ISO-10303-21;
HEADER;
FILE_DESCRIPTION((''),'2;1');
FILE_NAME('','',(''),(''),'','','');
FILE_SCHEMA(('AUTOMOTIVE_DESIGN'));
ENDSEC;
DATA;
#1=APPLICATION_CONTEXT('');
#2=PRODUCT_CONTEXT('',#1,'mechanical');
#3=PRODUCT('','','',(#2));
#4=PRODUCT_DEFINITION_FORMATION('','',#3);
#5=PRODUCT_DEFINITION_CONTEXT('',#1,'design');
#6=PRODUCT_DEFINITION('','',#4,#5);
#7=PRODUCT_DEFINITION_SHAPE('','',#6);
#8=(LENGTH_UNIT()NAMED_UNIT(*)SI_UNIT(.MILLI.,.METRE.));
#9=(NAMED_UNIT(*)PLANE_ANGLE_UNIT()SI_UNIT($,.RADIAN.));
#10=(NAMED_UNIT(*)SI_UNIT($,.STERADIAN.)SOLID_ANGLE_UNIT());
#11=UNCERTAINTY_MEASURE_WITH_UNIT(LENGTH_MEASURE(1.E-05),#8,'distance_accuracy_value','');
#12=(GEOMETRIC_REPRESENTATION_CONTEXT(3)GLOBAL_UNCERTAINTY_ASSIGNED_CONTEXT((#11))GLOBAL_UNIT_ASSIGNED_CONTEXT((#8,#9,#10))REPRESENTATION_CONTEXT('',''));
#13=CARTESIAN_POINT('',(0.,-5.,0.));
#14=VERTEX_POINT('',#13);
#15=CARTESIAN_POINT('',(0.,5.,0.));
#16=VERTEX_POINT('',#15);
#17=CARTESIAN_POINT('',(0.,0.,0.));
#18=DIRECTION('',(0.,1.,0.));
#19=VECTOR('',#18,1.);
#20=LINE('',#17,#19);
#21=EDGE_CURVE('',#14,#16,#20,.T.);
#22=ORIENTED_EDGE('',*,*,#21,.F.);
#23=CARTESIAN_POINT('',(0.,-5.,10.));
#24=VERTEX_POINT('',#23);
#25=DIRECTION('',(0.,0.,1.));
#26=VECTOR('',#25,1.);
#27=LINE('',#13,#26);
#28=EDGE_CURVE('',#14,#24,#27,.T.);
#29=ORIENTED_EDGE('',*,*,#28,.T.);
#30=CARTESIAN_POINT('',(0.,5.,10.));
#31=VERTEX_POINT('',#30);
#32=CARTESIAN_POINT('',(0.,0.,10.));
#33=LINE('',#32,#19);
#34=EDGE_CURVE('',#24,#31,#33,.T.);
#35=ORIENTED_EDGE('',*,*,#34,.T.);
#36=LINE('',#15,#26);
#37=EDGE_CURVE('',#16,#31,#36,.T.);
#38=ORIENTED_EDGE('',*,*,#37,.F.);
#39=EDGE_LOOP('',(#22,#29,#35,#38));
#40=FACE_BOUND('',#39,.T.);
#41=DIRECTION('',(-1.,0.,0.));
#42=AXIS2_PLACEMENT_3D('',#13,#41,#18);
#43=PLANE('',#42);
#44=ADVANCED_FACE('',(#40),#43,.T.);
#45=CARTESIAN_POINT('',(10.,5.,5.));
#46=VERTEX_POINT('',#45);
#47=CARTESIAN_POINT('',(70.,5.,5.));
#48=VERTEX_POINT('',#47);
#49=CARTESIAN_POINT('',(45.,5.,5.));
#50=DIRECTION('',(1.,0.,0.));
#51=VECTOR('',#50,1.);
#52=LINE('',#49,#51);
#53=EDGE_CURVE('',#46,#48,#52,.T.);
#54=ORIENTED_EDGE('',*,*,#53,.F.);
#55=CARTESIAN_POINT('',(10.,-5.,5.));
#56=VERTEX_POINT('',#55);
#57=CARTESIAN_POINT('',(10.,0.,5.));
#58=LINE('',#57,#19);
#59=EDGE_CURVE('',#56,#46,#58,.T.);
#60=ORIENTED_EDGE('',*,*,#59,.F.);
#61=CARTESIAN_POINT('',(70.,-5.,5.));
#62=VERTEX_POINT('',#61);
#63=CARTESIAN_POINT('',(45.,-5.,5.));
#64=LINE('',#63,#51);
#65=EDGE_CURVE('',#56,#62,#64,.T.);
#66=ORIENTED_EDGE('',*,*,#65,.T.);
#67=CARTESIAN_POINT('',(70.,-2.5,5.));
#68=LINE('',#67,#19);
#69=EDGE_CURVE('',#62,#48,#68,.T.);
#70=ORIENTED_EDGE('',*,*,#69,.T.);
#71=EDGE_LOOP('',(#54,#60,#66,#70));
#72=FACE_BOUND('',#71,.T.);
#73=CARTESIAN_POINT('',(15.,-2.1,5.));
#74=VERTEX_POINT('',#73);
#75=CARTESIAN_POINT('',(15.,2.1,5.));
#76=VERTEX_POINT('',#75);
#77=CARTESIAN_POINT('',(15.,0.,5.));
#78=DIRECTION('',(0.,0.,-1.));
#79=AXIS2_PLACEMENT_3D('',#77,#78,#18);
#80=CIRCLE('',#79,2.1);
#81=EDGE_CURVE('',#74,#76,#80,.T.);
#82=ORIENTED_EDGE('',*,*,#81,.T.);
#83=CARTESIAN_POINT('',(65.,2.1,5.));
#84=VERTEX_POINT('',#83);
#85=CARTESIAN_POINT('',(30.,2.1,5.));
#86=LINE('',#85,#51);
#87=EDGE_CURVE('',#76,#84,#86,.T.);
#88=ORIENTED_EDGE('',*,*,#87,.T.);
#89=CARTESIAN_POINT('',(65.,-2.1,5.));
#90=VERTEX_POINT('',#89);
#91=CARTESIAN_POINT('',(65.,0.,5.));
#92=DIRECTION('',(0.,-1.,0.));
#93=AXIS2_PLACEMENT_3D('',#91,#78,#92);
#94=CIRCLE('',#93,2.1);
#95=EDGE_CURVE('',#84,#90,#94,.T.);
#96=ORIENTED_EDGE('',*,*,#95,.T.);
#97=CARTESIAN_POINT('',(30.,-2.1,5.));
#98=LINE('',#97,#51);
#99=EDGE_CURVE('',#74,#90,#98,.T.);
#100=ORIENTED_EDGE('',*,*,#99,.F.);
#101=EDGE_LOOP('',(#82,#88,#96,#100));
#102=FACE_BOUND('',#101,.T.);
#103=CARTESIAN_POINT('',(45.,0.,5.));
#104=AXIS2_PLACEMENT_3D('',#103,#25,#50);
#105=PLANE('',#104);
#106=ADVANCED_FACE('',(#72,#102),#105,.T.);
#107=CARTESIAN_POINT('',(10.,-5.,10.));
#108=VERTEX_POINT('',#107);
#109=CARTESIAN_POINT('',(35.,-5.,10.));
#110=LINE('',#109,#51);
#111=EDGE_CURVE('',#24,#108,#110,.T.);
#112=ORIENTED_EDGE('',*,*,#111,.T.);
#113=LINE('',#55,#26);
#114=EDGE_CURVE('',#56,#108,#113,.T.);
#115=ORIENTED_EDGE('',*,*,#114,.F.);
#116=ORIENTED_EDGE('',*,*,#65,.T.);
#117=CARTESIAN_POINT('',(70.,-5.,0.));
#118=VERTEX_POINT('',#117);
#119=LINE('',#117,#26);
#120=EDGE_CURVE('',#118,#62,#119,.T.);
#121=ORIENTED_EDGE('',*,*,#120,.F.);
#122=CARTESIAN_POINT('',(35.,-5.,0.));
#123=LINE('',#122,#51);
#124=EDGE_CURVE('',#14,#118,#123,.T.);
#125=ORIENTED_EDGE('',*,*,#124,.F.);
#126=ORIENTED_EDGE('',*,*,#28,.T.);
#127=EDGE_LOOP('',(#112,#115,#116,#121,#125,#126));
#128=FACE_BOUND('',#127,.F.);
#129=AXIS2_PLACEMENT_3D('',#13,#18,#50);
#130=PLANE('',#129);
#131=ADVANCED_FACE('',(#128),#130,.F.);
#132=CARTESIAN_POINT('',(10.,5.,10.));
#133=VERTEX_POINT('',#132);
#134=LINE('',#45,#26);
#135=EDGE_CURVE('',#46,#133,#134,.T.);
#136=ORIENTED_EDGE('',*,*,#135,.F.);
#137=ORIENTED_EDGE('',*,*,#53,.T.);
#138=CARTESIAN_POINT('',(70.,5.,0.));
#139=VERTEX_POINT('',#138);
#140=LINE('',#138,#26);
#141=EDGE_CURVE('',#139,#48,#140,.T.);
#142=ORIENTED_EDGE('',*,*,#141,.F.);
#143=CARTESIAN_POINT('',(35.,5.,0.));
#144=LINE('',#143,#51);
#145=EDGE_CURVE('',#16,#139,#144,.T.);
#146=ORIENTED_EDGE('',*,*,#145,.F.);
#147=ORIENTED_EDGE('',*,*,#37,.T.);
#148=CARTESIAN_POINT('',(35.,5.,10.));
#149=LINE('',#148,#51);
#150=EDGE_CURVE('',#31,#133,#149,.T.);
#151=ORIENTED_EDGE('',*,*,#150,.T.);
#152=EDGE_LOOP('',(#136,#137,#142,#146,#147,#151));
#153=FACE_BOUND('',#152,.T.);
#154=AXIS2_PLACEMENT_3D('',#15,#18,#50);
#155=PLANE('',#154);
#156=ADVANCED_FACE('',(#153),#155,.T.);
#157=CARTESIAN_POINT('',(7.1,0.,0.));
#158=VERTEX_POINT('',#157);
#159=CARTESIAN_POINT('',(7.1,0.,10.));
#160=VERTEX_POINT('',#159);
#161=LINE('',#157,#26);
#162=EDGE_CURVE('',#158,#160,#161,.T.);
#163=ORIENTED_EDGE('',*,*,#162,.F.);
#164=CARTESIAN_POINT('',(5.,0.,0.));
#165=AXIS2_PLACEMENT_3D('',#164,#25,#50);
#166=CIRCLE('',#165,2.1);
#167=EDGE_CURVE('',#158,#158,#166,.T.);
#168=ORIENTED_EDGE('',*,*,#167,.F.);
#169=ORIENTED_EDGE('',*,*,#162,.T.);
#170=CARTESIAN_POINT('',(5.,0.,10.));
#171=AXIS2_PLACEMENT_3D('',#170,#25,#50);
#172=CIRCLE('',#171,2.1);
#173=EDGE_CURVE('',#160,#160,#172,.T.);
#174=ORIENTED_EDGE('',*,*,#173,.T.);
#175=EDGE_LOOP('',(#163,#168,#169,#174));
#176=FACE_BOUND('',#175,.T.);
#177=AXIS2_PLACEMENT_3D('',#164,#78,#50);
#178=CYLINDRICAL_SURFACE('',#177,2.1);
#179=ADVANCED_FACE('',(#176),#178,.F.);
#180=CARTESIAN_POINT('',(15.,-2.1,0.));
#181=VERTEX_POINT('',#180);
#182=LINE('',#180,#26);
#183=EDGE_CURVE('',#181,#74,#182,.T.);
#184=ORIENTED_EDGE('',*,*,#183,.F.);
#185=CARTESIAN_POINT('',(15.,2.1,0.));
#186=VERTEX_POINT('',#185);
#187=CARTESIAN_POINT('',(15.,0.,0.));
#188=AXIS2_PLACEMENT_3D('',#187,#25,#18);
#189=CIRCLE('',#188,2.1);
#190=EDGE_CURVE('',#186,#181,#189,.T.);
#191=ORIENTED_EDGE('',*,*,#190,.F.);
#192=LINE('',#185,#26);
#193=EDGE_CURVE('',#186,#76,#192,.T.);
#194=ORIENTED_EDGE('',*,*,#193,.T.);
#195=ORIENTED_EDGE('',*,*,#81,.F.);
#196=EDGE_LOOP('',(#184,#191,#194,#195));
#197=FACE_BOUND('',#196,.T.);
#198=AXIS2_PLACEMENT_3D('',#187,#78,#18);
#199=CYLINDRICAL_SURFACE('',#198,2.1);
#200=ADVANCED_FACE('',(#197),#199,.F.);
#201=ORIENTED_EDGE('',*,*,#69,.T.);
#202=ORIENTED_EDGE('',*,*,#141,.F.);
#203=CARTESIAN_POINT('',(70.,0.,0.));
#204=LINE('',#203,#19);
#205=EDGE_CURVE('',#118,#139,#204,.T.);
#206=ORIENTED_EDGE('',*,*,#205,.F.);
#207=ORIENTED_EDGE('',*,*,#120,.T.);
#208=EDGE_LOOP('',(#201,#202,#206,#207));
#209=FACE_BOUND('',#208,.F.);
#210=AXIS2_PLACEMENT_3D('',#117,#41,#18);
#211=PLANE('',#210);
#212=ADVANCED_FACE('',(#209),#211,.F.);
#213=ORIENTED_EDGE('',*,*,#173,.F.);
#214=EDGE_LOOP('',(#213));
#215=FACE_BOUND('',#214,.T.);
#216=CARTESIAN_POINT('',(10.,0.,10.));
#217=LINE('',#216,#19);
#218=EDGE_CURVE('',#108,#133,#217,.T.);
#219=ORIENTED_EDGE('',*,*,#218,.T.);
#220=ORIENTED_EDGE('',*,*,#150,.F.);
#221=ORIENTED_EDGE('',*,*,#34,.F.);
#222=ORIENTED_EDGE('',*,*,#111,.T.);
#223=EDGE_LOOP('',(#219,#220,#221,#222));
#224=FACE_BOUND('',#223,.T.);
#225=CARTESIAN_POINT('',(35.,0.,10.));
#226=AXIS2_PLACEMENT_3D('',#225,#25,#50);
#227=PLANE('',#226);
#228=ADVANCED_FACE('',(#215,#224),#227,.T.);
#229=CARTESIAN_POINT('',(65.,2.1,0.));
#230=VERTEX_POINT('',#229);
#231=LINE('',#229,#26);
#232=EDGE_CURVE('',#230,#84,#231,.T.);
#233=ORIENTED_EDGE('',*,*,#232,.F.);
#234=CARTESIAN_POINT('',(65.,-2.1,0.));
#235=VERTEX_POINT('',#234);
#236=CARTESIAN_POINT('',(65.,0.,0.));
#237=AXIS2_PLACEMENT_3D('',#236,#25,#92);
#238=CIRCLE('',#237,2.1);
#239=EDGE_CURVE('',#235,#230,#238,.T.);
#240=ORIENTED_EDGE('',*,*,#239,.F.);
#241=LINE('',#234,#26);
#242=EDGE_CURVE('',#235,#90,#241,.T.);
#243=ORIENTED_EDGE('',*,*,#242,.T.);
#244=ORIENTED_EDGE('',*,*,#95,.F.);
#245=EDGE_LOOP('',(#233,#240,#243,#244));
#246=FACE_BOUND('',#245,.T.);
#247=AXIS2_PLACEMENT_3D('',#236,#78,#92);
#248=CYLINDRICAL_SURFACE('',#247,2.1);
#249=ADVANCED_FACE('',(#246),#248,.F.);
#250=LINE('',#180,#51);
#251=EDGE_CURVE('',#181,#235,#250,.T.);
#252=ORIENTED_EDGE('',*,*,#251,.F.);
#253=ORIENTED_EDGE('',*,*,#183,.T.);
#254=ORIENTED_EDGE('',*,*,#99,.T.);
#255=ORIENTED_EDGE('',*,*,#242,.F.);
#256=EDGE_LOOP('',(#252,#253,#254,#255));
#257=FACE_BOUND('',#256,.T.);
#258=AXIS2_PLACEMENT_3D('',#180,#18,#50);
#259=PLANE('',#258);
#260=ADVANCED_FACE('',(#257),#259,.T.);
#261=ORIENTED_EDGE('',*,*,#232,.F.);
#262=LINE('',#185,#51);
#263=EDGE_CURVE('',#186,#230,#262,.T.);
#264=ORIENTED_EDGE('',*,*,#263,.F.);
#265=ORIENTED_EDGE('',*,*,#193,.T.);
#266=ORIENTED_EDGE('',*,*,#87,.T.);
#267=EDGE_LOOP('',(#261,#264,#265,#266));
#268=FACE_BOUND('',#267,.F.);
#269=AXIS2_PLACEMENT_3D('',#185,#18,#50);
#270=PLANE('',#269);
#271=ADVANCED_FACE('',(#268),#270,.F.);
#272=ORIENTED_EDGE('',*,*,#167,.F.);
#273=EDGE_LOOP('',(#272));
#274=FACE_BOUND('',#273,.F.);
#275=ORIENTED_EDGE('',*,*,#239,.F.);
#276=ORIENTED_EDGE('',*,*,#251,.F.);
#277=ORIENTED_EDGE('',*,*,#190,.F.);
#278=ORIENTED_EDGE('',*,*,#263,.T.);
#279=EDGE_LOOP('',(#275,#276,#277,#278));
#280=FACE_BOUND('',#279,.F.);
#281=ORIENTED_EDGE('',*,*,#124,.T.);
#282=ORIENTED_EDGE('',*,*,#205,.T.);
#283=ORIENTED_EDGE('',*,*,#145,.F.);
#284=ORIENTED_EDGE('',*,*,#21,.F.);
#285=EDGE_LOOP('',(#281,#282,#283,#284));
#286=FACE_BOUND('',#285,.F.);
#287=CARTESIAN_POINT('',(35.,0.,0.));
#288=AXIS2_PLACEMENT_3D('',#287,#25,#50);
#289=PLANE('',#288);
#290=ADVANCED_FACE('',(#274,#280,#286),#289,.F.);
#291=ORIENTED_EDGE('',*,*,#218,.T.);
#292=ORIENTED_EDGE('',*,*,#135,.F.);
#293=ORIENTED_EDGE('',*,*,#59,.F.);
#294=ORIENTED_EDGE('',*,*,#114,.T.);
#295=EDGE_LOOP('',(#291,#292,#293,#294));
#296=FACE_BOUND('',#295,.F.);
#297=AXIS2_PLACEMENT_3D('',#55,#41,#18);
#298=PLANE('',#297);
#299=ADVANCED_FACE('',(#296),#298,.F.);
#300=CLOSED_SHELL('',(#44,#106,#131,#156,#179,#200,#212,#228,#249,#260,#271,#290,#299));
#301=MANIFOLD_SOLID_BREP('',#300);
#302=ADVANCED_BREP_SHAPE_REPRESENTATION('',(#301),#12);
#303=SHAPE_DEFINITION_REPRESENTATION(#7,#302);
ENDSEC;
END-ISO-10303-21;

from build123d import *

# Parameters (mm, degrees)
SKETCH001_W      = 70
SKETCH001_H      = 10
EXTRUDE001_DEPTH = 5
SKETCH_W         = 70
SKETCH_H         = 10
SKETCH_R         = 2.1
EXTRUDE_DEPTH    = 10


with BuildPart() as extrude001:
    # Sketch001 → Extrude001 (new body)
    with BuildSketch(Plane.XY):
        with Locations((45, 0)):
            Rectangle(SKETCH001_W, SKETCH001_H)
    extrude(amount=EXTRUDE001_DEPTH)


with BuildPart() as extrude001_1:
    # Extrude001 placement: moved
    add(extrude001.part.moved(Location((0, 0, 5))))


with BuildPart() as cut:
    # Sketch → Extrude (new body)
    with BuildSketch(Plane.XY):
        with Locations((35, 0)):
            Rectangle(SKETCH_W, SKETCH_H)
        with Locations((5, 0)):
            Circle(SKETCH_R, mode=Mode.SUBTRACT)
        with BuildLine():
            ThreePointArc((15, 2.1), (12.9, 0), (15, -2.1))
            Line((15, -2.1), (65, -2.1))
            ThreePointArc((65, -2.1), (67.1, 0), (65, 2.1))
            Line((15, 2.1), (65, 2.1))
        make_face(mode=Mode.SUBTRACT)
    extrude(amount=EXTRUDE_DEPTH)

    # Cut: cut Extrude001
    add(extrude001_1.part, mode=Mode.SUBTRACT)


solid = cut.part
